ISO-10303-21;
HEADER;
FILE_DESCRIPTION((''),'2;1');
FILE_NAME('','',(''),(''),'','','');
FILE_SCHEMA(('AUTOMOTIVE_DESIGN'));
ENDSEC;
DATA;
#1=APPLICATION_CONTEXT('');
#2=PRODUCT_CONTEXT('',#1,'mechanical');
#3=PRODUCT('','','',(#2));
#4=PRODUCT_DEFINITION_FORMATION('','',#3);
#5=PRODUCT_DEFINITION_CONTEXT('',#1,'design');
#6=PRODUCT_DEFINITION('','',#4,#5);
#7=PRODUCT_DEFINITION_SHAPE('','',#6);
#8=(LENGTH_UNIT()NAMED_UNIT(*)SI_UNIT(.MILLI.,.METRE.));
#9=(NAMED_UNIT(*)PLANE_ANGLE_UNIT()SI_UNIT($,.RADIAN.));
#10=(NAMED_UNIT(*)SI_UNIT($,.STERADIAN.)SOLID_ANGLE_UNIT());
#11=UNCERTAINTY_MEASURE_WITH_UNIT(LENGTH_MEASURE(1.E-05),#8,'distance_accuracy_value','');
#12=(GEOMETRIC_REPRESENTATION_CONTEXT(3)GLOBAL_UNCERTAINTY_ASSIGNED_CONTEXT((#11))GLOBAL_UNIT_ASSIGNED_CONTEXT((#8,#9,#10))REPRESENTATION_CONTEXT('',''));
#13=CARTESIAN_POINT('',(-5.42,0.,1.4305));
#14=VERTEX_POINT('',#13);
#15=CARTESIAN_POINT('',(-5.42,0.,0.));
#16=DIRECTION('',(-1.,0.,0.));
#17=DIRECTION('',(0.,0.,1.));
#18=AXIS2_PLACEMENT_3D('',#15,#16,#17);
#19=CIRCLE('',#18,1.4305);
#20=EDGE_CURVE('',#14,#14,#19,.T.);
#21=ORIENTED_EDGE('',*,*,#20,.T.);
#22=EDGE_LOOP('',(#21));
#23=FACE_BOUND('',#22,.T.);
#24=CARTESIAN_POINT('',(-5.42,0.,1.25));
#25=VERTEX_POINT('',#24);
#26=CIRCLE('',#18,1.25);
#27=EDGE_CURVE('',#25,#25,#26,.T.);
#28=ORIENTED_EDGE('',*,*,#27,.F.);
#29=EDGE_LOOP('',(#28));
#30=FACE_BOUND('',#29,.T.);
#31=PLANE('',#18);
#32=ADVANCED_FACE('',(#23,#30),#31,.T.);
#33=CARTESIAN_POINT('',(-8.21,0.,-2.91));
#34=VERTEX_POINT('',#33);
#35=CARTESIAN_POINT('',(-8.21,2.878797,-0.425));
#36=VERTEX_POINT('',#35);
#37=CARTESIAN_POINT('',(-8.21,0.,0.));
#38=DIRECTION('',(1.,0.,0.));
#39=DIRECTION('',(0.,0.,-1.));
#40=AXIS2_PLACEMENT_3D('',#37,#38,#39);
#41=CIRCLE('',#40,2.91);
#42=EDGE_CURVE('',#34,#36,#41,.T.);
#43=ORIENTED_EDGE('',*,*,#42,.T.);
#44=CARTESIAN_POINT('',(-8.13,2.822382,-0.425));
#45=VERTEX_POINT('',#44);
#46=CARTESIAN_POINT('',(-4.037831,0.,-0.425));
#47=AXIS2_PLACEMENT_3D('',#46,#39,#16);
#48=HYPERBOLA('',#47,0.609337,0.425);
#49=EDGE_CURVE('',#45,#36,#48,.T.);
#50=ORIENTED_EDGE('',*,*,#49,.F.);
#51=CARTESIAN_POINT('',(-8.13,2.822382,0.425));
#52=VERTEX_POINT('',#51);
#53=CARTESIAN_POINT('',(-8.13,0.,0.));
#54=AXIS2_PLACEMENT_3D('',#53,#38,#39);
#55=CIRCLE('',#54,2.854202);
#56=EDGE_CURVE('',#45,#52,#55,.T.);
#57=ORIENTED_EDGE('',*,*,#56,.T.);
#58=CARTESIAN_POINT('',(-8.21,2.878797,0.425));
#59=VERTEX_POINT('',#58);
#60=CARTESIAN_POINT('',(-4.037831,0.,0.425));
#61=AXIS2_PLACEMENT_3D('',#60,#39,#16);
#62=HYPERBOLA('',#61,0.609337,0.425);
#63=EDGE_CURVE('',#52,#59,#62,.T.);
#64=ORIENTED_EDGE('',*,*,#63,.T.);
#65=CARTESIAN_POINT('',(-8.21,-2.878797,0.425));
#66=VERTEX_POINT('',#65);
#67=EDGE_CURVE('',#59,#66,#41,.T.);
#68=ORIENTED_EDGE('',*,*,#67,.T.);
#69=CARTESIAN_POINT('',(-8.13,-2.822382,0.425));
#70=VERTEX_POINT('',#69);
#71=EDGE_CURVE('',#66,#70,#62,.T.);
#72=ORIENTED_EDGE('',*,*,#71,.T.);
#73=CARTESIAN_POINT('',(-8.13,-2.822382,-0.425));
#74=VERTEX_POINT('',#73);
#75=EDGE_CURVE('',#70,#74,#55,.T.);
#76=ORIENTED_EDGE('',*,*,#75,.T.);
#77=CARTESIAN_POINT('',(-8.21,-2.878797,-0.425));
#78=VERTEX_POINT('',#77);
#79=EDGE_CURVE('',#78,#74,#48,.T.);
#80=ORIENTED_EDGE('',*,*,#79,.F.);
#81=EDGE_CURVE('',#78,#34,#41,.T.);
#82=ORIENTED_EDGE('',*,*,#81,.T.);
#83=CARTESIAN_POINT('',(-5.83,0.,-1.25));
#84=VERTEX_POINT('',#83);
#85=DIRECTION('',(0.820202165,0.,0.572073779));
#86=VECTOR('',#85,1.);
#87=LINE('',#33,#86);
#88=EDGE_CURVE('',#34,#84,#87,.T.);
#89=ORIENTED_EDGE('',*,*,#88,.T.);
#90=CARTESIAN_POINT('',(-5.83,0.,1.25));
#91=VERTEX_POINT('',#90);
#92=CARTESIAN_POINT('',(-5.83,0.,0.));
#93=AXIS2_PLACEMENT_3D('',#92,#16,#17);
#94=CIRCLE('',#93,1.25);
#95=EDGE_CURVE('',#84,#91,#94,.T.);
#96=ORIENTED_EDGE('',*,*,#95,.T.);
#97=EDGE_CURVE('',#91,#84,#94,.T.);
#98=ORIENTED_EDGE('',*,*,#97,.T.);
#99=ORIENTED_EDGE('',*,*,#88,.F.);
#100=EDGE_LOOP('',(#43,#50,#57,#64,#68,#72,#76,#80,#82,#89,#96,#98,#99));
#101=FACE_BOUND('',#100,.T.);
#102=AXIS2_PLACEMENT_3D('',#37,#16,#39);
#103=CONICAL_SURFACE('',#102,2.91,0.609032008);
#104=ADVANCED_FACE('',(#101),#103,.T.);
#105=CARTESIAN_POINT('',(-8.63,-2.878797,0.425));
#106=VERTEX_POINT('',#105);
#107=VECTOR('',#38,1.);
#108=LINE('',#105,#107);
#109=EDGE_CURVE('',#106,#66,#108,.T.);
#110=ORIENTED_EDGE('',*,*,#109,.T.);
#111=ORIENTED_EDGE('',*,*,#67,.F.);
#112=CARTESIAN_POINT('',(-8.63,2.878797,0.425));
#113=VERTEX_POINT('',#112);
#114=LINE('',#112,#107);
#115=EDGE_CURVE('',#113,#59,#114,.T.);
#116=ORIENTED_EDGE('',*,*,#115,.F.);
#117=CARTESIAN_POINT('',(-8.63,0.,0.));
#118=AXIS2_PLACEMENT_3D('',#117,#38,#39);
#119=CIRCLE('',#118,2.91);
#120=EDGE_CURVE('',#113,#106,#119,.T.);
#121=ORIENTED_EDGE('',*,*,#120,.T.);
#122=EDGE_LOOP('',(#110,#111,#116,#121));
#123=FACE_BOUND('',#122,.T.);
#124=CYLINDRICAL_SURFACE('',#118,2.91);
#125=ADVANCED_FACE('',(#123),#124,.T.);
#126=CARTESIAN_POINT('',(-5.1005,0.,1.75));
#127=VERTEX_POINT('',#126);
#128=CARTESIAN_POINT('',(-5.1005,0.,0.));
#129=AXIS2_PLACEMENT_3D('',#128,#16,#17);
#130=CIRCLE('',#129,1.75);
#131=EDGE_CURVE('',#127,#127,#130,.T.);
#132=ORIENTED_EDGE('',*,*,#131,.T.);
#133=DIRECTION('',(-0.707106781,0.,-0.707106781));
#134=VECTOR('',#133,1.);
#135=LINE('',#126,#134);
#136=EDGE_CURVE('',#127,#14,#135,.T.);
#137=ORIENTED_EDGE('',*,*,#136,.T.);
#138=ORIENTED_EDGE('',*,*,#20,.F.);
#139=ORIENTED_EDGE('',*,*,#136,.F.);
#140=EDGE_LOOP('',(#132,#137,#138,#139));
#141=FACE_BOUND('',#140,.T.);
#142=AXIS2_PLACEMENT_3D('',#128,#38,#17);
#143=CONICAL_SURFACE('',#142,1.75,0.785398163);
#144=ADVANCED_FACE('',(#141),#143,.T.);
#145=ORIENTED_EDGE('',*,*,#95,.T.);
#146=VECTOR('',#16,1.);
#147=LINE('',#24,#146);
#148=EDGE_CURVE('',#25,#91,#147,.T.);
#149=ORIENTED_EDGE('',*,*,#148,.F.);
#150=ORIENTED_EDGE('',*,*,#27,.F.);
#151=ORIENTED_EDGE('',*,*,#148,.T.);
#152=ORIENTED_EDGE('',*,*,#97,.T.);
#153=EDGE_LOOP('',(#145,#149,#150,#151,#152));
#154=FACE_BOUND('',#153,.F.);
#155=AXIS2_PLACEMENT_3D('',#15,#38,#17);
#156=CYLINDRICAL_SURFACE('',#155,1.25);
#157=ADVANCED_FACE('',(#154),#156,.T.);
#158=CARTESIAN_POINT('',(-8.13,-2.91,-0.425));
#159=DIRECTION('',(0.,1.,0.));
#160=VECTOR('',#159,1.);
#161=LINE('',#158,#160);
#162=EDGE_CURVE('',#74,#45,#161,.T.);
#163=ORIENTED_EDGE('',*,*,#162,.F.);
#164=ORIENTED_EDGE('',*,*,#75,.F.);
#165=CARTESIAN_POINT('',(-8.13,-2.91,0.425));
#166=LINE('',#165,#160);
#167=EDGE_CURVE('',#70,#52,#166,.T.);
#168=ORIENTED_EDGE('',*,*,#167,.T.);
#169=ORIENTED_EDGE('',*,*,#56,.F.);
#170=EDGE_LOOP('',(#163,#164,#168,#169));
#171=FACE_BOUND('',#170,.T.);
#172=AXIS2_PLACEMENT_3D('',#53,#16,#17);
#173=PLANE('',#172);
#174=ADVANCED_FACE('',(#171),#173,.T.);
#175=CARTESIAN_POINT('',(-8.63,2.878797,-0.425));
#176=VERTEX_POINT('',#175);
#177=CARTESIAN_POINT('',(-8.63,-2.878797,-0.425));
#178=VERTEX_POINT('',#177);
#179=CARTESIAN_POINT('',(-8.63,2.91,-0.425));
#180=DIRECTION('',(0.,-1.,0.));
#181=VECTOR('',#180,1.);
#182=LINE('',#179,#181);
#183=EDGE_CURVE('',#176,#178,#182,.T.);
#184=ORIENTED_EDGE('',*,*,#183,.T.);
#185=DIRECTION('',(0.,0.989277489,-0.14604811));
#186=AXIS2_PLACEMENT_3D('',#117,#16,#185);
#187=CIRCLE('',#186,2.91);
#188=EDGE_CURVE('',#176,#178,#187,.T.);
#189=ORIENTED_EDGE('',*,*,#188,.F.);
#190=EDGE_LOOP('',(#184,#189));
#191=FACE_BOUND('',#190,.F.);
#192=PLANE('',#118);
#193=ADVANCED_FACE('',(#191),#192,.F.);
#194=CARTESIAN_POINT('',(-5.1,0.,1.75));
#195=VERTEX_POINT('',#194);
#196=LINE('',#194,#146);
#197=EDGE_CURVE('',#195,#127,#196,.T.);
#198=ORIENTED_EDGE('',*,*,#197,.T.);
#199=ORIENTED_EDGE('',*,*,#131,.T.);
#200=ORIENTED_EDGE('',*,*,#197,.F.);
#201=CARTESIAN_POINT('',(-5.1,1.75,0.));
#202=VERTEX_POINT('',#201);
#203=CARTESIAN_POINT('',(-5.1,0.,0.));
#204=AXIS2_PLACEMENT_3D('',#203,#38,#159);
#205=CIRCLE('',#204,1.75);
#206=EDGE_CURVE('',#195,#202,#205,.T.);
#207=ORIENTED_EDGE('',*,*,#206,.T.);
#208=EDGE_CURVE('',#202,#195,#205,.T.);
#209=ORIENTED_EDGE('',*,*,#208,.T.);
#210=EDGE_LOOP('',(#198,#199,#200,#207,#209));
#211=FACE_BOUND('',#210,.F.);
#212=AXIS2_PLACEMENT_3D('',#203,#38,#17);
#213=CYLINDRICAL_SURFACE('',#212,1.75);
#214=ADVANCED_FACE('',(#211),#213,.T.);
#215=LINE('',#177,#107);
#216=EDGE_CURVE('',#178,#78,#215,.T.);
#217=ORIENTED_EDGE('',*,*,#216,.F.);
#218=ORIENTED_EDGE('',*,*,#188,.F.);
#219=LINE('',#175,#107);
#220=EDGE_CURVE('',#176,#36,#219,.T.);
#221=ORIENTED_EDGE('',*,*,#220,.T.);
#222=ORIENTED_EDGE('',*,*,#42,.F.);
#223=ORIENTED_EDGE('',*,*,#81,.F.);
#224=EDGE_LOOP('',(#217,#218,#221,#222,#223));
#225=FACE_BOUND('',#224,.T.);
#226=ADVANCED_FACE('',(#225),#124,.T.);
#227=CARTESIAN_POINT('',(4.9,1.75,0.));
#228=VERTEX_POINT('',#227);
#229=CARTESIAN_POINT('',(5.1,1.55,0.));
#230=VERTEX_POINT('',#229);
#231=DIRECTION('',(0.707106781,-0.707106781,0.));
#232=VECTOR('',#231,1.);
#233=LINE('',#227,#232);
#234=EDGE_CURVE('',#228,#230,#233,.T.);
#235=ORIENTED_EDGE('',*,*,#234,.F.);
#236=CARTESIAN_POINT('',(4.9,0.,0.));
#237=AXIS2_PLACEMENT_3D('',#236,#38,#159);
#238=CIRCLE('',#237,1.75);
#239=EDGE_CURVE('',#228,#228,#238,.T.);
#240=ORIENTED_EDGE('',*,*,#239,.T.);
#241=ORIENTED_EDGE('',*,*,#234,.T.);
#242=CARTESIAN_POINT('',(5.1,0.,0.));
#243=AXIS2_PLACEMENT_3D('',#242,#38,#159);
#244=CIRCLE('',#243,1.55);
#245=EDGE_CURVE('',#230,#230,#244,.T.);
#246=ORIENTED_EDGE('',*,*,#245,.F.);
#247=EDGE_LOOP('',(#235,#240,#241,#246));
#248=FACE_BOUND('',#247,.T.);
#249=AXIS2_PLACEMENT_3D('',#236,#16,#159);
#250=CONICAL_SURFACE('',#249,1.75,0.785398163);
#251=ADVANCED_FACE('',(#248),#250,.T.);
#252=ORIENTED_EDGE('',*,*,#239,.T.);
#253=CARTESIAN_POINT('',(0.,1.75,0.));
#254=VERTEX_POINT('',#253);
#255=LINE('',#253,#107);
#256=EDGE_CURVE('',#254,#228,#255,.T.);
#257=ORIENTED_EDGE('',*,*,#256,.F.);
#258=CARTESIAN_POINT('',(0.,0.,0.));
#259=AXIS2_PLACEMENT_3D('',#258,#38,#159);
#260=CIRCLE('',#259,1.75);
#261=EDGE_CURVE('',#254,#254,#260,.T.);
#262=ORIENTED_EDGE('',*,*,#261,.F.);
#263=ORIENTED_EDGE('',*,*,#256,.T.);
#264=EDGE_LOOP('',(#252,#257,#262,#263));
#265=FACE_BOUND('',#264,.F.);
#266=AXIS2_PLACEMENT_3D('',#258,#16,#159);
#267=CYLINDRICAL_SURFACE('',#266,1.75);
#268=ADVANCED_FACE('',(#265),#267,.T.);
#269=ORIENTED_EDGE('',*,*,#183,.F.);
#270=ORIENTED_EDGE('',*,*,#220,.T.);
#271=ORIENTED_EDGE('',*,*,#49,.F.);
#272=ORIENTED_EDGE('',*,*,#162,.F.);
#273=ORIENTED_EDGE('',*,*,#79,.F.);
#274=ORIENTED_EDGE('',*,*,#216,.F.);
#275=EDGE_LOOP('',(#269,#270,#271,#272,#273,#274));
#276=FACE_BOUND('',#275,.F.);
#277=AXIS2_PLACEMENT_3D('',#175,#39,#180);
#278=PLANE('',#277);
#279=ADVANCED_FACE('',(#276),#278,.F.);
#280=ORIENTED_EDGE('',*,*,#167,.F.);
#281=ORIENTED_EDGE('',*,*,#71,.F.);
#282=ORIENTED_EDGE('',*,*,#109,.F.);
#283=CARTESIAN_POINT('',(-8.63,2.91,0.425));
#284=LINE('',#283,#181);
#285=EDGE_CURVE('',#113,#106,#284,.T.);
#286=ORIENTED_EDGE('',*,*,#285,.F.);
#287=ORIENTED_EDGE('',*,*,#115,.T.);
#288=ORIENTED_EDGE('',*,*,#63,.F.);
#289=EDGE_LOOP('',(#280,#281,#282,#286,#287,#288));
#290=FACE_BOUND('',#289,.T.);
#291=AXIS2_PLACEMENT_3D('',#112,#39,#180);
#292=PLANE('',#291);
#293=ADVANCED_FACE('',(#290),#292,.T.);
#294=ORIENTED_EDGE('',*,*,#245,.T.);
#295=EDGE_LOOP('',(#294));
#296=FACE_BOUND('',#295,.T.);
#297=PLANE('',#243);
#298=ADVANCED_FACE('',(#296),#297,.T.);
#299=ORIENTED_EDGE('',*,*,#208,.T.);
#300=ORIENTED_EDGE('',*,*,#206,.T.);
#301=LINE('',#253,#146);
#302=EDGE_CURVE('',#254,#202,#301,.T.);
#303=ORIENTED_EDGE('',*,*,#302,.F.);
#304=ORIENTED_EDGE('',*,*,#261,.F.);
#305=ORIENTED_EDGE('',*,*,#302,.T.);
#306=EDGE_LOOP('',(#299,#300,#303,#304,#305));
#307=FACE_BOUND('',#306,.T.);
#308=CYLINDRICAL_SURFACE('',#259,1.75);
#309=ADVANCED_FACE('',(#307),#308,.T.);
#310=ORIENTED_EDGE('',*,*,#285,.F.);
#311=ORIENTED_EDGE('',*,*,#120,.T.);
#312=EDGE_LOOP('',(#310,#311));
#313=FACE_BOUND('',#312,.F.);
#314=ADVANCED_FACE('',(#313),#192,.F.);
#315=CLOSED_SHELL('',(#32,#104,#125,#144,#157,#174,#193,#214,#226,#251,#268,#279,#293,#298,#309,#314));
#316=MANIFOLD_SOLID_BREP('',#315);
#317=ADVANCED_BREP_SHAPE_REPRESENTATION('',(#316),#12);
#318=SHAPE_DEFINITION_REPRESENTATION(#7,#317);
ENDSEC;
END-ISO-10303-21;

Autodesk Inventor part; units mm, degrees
ref_plane "YZ Plane" through (0, 0, 0) normal (1, 0, 0) x (0, 1, 0)
ref_plane "XZ Plane" through (0, 0, 0) normal (0, 1, 0) x (-1, 0, 0)
ref_plane "XY Plane" through (0, 0, 0) normal (0, 0, 1) x (1, 0, 0)
sketch "Sketch2" plane through (0, 0, 0) normal (1, 0, 0) x (0, 1, 0)
  circle A0 centre (0, 0) radius 1.75
extrude "Extrusion1" add sketch "Sketch2" along normal mid plane 10.2
chamfer "Chamfer1" distance 0.2 angle 45 1 edges at (5.1, -1.75, 0) measured on face at (5.1, -0.5165, 0.5026)
sketch "Sketch3" plane through (-5.1, 0, 0) normal (-1, 0, 0) x (0, 0, 1)
  circle A0 centre (0, 0) radius 1.75
  dimension "d27" = 3.5
extrude "Extrusion2" add sketch "Sketch3" along normal blind 0.32
chamfer "Chamfer2" distance 0.32 angle 45 1 edges at (-5.42, 0, -1.75) measured on face at (-5.42, 0.5026, -0.5165)
sketch "Sketch4" plane through (-5.42, 0, 0) normal (-1, 0, 0) x (0, 0, 1)
  circle A0 centre (0, 0) radius 1.25
  dimension "d33" = 2.5
extrude "Extrusion3" add sketch "Sketch4" along normal blind 0.41
sketch "Sketch5" plane through (0, 0, 0) normal (0, 1, 0) x (-1, 0, 0)
  line L0 (5.83, 0) -> (5.83, -1.25)
  line L1 (8.63, -2.91) -> (8.21, -2.91)
  line L2 (8.21, -2.91) -> (5.83, -1.25)
  line L3 (8.63, -2.91) -> (8.63, 0)
  line L4 (5.83, -1.25) -> (5.83, 0)
  line L5 (8.63, 0) -> (5.83, 0)
  point P0 (0, 0)
  dimension "d40" = 0.42
revolve "Revolution1" add sketch "Sketch5" angle 360 about axis through (-8.63, 0, 0) along (1, 0, 0)
sketch "Sketch6" plane through (-8.63, 0, 0) normal (-1, 0, 0) x (0, 0, 1)
  circle A0 centre (0, 0) radius 2.91 projected
  line L0 (0.425, 2.91) -> (0.425, -2.91)
  line L1 (-0.425, 2.91) -> (-0.425, -2.91)
  line L2 (-0.425, 2.91) -> (0.425, 2.91)
  line L3 (-0.425, -2.91) -> (0.425, -2.91)
  line L4 (-0.425, 2.91) -> (0.425, 2.91)
  line L5 (0.425, 2.91) -> (0.425, -2.91)
  line L6 (0.425, -2.91) -> (-0.425, -2.91)
  line L7 (-0.425, -2.91) -> (-0.425, 2.91)
extrude "Extrusion4" cut sketch "Sketch6" against normal blind 0.5 contours L0 A0 L1 | A0 L2 L0 | L0 L3 A0 | A0 L1 L2 | L3 L1 A0
thread "Thread1" size "M4x0.5" class "6g" standard "ANSI Metric M Profile" full length
properties part number "parafuso escariado M3,5"
